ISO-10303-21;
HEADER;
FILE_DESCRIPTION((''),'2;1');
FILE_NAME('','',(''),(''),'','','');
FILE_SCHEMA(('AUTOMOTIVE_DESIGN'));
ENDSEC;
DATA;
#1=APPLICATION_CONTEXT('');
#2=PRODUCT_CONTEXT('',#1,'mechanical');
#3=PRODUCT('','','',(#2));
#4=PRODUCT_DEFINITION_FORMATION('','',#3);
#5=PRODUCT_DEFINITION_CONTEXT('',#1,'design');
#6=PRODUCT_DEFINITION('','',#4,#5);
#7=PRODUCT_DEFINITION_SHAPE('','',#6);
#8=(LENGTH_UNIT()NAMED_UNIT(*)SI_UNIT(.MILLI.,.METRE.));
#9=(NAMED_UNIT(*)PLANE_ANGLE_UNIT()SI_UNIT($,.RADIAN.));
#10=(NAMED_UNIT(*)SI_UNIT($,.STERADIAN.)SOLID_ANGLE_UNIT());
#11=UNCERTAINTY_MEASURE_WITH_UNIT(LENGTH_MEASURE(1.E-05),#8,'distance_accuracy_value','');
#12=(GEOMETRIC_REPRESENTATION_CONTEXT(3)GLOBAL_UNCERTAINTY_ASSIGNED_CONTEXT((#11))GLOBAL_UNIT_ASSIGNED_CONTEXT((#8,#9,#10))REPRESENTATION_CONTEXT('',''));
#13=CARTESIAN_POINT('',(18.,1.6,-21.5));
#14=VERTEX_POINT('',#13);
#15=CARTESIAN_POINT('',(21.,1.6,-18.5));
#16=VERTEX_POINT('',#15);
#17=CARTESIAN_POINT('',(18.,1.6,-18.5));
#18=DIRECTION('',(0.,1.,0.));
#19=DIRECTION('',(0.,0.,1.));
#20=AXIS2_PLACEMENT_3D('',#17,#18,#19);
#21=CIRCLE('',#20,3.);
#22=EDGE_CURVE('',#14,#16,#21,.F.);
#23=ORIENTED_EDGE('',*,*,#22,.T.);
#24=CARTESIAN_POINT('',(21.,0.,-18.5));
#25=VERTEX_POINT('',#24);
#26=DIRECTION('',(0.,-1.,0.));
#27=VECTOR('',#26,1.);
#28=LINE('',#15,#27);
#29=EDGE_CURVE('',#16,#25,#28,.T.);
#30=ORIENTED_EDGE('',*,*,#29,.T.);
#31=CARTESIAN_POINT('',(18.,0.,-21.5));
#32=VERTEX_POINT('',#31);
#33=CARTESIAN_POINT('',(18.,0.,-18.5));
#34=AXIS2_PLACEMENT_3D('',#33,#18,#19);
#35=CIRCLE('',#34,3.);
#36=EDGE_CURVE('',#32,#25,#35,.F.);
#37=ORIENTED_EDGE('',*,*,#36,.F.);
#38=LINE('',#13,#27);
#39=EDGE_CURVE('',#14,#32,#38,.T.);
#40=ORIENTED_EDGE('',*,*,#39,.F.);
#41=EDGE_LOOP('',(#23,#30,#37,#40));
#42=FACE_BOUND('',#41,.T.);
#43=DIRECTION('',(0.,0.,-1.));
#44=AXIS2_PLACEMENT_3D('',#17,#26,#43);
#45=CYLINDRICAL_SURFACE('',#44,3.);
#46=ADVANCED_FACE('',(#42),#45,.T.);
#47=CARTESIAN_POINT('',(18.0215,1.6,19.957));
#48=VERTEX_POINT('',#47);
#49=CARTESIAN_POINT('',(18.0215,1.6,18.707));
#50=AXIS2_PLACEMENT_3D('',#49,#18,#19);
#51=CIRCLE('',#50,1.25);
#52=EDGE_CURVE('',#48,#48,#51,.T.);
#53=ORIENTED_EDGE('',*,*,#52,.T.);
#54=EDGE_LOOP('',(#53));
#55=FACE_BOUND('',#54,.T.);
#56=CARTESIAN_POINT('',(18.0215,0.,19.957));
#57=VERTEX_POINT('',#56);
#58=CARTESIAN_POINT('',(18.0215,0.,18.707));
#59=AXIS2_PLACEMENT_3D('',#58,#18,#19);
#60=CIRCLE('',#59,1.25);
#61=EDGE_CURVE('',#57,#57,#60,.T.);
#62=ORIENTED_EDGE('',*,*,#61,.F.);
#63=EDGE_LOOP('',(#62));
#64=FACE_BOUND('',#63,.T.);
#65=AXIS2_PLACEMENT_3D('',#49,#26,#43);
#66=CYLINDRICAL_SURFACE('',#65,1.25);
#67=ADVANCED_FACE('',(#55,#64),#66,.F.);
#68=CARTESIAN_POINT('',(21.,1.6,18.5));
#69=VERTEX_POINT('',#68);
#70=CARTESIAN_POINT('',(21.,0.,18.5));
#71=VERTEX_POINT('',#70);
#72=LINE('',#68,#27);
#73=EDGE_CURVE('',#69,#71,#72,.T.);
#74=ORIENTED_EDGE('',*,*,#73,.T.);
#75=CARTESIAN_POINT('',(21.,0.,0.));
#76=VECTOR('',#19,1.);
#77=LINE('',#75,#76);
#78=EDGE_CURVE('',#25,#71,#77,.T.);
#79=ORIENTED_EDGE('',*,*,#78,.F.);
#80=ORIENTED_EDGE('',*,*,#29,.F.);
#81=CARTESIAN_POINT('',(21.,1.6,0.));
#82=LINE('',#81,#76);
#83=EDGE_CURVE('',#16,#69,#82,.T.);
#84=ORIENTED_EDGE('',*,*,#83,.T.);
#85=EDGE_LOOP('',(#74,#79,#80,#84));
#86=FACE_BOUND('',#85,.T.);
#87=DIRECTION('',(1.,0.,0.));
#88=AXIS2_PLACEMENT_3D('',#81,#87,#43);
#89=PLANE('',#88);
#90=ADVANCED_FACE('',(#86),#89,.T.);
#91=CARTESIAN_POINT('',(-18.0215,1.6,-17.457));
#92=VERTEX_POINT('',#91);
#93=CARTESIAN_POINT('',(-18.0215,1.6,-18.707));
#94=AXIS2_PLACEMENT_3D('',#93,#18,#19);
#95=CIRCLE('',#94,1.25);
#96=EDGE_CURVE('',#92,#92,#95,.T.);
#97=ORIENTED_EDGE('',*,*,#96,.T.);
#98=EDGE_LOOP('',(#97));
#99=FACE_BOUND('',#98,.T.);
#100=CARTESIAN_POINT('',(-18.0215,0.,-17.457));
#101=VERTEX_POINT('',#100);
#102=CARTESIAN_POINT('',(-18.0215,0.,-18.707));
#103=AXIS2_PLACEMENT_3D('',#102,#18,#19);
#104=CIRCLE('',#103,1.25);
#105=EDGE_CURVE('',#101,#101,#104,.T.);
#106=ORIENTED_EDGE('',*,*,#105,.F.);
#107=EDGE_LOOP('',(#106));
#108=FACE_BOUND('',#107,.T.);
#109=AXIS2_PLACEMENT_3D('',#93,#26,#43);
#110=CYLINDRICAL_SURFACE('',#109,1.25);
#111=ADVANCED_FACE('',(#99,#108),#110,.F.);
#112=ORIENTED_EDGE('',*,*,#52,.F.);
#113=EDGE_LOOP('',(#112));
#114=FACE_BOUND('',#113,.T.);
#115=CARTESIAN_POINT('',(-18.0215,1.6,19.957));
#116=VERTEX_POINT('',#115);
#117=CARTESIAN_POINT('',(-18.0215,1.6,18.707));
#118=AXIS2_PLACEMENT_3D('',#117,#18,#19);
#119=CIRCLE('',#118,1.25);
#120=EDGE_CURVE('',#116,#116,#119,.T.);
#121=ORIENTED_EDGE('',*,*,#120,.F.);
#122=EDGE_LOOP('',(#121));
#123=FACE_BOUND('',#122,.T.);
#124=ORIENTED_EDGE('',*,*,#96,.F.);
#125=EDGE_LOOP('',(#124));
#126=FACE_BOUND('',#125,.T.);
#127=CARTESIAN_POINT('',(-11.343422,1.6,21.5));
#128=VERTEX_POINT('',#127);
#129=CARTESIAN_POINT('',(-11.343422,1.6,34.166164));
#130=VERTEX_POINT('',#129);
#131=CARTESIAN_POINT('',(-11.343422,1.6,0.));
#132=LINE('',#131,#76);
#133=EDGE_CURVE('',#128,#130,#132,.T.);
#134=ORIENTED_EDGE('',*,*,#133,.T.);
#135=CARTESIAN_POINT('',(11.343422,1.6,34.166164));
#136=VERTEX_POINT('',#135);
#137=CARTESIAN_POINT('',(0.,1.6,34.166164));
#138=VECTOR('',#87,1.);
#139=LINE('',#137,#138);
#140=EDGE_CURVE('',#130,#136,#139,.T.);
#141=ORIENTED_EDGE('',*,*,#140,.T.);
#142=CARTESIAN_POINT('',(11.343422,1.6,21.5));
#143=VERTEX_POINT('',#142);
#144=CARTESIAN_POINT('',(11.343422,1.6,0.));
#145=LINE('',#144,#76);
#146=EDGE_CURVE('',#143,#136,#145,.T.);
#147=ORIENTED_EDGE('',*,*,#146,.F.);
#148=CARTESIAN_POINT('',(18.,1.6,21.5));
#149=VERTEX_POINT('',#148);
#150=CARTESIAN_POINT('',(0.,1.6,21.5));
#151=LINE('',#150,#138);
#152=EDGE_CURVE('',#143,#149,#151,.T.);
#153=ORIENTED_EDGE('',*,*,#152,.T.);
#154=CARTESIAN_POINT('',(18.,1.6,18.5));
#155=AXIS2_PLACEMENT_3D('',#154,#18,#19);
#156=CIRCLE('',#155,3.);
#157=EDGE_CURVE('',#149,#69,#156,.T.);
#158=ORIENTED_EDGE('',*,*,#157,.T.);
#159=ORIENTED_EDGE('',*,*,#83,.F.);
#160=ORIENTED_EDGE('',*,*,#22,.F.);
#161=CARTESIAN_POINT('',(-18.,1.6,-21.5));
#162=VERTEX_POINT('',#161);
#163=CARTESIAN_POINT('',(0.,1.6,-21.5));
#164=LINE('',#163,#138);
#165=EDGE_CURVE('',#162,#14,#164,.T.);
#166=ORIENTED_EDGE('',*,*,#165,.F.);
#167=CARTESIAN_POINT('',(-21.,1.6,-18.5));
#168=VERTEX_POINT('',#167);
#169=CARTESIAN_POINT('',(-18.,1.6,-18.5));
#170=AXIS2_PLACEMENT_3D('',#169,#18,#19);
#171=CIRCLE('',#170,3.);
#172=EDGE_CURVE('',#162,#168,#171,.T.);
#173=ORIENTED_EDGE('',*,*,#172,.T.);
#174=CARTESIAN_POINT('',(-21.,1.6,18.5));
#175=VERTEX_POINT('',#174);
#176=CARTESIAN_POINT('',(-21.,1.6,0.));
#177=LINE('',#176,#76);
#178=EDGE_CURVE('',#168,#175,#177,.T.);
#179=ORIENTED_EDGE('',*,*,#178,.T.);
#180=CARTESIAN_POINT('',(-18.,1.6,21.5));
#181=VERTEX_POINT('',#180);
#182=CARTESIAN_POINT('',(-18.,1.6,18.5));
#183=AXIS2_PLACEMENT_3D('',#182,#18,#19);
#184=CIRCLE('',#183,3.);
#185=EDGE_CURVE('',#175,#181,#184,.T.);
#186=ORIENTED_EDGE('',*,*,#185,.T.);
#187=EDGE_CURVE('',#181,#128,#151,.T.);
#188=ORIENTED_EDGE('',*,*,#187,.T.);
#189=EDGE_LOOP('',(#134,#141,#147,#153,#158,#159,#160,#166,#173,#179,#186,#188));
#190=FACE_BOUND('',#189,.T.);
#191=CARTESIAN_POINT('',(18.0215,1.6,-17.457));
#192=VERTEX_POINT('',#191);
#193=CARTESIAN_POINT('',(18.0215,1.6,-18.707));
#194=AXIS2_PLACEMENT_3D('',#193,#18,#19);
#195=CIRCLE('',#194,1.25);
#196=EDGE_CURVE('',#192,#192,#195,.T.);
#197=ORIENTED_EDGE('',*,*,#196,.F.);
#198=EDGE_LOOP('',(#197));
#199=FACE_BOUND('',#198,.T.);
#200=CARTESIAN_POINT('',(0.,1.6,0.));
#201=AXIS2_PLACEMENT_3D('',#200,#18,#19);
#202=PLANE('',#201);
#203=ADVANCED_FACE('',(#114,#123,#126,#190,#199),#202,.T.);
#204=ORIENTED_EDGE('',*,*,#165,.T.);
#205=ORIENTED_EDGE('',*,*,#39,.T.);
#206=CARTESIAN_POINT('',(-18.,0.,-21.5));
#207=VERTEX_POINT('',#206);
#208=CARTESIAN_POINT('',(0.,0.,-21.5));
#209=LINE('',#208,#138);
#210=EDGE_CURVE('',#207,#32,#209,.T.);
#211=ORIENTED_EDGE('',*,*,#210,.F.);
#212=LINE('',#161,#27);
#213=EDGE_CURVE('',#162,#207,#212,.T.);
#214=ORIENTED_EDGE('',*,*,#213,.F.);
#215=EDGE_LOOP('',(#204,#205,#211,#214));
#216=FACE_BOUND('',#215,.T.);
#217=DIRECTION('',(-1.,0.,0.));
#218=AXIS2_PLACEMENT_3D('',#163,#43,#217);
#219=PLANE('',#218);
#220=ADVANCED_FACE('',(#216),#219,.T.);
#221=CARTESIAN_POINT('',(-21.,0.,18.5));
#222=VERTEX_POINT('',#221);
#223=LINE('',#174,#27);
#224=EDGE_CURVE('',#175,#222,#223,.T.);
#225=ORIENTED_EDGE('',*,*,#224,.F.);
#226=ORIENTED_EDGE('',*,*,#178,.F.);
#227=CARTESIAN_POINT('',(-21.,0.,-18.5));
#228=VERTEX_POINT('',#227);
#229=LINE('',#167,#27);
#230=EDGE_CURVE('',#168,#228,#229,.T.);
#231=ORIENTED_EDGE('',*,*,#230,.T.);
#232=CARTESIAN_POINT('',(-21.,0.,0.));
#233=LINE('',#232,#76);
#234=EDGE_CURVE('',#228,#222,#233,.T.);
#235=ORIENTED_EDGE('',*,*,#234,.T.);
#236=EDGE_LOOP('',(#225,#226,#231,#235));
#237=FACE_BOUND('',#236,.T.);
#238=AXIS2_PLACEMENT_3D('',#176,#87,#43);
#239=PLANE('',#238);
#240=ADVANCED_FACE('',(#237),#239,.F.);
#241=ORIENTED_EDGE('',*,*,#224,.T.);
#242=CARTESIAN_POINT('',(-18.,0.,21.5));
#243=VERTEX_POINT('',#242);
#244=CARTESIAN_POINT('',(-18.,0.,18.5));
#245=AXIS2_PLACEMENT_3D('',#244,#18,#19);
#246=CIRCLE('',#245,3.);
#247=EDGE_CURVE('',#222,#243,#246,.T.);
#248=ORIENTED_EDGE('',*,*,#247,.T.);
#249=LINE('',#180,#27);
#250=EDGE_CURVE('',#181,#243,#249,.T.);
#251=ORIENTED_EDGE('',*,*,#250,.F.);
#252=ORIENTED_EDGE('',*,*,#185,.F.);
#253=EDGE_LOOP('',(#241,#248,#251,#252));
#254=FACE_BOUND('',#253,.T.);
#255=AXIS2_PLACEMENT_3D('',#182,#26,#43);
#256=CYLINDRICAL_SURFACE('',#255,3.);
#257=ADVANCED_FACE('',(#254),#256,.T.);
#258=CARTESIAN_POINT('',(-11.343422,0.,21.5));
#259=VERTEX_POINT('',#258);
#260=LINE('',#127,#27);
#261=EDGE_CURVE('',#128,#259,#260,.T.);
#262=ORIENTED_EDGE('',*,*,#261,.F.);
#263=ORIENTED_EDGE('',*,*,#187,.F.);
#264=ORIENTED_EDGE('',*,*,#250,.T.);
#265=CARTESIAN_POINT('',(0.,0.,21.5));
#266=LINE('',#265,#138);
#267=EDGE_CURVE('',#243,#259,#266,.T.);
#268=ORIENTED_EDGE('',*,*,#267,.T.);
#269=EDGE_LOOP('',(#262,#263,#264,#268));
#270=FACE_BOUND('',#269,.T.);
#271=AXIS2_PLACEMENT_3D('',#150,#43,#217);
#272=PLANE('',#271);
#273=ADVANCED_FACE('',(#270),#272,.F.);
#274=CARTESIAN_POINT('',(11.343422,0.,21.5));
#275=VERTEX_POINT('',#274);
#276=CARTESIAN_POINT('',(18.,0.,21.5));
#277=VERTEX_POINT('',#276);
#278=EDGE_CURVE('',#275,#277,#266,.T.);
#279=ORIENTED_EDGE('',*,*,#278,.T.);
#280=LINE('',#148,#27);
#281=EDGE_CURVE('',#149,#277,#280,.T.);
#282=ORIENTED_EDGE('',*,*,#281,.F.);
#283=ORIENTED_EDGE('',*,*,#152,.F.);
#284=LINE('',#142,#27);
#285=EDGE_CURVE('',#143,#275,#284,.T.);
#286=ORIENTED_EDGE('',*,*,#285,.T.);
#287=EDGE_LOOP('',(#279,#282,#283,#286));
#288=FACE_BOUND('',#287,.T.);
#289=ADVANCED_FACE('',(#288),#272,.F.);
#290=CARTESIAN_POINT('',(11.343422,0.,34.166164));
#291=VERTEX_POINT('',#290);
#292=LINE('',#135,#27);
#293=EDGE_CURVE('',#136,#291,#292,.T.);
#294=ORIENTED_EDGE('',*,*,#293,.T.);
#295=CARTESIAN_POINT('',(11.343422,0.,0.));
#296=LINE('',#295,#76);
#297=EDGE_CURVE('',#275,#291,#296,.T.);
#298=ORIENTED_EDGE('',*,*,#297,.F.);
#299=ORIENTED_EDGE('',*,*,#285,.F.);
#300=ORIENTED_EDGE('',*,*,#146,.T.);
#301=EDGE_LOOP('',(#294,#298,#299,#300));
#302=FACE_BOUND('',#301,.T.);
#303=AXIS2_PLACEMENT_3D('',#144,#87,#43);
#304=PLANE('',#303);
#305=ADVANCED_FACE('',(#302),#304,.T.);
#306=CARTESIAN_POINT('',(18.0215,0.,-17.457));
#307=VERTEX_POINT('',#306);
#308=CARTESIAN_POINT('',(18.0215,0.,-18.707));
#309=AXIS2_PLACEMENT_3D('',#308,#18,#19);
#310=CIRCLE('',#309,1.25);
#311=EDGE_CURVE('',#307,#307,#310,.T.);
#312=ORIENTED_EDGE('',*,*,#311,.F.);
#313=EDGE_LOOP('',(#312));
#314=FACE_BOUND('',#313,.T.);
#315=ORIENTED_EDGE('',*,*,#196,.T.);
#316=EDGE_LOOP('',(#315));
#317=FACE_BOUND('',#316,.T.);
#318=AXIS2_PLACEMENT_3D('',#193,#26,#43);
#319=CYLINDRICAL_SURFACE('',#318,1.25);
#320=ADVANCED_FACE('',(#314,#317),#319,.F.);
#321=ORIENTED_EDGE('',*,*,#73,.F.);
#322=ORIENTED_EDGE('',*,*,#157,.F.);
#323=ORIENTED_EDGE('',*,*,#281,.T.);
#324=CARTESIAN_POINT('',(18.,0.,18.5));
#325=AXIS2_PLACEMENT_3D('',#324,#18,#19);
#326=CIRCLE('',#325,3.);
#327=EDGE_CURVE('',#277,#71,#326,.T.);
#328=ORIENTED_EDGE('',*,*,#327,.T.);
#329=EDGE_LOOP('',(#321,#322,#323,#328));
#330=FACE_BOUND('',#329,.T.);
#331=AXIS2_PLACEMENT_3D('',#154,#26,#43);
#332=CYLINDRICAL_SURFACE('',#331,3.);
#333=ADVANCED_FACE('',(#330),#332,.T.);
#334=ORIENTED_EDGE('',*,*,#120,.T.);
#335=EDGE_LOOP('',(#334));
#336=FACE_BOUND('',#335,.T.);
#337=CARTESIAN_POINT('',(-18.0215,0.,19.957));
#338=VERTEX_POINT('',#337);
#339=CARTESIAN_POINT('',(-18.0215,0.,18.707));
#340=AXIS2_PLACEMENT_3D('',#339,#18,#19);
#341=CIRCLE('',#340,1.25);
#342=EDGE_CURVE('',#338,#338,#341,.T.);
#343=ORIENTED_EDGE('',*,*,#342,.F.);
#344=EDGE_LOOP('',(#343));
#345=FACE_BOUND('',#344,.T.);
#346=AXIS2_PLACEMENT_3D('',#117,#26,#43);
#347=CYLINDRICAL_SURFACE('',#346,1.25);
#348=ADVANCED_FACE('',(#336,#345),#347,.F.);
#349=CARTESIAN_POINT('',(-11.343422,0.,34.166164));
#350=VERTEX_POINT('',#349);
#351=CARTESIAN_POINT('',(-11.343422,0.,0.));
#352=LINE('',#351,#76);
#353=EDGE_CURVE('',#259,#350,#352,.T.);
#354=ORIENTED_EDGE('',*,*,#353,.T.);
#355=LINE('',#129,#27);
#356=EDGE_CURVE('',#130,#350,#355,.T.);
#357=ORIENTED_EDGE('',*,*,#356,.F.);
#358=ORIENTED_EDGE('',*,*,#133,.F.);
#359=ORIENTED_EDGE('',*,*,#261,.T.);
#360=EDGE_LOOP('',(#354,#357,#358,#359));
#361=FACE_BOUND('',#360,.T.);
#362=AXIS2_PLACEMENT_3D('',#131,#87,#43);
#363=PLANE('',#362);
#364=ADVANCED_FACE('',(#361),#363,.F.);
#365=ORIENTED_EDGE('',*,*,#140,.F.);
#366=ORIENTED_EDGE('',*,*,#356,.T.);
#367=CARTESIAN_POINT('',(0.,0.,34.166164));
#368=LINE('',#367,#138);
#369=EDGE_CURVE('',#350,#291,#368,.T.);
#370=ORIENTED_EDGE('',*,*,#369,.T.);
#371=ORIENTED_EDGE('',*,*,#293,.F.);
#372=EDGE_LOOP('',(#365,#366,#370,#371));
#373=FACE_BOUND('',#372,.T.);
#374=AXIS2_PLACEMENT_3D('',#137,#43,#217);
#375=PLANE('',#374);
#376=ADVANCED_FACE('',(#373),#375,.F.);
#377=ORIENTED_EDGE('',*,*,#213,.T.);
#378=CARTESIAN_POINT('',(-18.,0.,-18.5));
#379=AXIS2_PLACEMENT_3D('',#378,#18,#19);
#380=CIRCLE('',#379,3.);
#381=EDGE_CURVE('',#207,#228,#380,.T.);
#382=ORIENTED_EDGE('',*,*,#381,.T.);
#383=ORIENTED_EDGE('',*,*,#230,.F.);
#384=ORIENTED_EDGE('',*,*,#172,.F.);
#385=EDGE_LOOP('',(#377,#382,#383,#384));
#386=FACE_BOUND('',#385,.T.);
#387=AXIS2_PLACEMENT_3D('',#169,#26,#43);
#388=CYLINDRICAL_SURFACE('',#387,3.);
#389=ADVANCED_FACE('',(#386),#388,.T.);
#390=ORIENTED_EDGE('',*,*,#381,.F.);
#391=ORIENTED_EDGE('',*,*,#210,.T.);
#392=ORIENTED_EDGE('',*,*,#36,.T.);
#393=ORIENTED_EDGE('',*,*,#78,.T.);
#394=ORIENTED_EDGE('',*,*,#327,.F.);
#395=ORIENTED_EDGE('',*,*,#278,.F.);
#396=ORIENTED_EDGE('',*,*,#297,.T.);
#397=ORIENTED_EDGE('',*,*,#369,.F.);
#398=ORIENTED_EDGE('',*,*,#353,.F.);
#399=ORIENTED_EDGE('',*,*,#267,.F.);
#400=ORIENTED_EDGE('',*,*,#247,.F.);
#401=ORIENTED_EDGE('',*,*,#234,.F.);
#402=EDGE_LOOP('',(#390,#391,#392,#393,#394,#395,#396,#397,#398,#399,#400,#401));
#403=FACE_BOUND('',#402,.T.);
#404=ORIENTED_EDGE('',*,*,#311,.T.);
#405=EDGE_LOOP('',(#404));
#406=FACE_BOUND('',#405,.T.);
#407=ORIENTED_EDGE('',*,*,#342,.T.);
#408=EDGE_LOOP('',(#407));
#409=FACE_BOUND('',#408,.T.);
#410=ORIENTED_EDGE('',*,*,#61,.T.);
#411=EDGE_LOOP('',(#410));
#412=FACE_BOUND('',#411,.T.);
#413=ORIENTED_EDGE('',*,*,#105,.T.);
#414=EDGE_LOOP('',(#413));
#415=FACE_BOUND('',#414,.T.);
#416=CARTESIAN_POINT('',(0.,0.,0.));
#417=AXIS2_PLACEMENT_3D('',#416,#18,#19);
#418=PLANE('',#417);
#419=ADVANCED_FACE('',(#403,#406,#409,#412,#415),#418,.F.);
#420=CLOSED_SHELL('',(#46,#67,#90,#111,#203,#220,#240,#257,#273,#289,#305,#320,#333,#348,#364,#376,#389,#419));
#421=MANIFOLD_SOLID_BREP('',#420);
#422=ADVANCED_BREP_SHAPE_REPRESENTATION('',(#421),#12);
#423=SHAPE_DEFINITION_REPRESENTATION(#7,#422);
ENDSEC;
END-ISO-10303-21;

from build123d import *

# Parameters (mm, degrees)
SKETCH1_R           = 1.25
BOSS_EXTRUDE1_DEPTH = 1.6


with BuildPart() as part:
    # Sketch1 → Boss-Extrude1 (new body)
    with BuildSketch(Plane(origin=(0, 0, 0), x_dir=(1, 0, 0), z_dir=(0, 1, 0))):
        with BuildLine():
            Line((18, 21.5), (-18, 21.5))
            ThreePointArc((-18, 21.5), (-20.121320344, 20.621320344), (-21, 18.5))
            Line((-21, 18.5), (-21, -18.5))
            ThreePointArc((-21, -18.5), (-20.121320344, -20.621320344), (-18, -21.5))
            Line((-18, -21.5), (-11.343422478, -21.5))
            Line((-11.343422478, -21.5), (-11.343422478, -34.166164059))
            Line((-11.343422478, -34.166164059), (11.343422478, -34.166164059))
            Line((11.343422478, -34.166164059), (11.343422478, -21.5))
            Line((11.343422478, -21.5), (18, -21.5))
            ThreePointArc((18, -21.5), (20.121320344, -20.621320344), (21, -18.5))
            Line((21, -18.5), (21, 18.5))
            ThreePointArc((21, 18.5), (20.121320344, 20.621320344), (18, 21.5))
        make_face()
        with Locations((-18.0215, -18.707)):
            Circle(SKETCH1_R, mode=Mode.SUBTRACT)
        with Locations((18.0215, -18.707)):
            Circle(SKETCH1_R, mode=Mode.SUBTRACT)
        with Locations((-18.0215, 18.707)):
            Circle(SKETCH1_R, mode=Mode.SUBTRACT)
        with Locations((18.0215, 18.707)):
            Circle(SKETCH1_R, mode=Mode.SUBTRACT)
    extrude(amount=BOSS_EXTRUDE1_DEPTH)


solid = part.part
